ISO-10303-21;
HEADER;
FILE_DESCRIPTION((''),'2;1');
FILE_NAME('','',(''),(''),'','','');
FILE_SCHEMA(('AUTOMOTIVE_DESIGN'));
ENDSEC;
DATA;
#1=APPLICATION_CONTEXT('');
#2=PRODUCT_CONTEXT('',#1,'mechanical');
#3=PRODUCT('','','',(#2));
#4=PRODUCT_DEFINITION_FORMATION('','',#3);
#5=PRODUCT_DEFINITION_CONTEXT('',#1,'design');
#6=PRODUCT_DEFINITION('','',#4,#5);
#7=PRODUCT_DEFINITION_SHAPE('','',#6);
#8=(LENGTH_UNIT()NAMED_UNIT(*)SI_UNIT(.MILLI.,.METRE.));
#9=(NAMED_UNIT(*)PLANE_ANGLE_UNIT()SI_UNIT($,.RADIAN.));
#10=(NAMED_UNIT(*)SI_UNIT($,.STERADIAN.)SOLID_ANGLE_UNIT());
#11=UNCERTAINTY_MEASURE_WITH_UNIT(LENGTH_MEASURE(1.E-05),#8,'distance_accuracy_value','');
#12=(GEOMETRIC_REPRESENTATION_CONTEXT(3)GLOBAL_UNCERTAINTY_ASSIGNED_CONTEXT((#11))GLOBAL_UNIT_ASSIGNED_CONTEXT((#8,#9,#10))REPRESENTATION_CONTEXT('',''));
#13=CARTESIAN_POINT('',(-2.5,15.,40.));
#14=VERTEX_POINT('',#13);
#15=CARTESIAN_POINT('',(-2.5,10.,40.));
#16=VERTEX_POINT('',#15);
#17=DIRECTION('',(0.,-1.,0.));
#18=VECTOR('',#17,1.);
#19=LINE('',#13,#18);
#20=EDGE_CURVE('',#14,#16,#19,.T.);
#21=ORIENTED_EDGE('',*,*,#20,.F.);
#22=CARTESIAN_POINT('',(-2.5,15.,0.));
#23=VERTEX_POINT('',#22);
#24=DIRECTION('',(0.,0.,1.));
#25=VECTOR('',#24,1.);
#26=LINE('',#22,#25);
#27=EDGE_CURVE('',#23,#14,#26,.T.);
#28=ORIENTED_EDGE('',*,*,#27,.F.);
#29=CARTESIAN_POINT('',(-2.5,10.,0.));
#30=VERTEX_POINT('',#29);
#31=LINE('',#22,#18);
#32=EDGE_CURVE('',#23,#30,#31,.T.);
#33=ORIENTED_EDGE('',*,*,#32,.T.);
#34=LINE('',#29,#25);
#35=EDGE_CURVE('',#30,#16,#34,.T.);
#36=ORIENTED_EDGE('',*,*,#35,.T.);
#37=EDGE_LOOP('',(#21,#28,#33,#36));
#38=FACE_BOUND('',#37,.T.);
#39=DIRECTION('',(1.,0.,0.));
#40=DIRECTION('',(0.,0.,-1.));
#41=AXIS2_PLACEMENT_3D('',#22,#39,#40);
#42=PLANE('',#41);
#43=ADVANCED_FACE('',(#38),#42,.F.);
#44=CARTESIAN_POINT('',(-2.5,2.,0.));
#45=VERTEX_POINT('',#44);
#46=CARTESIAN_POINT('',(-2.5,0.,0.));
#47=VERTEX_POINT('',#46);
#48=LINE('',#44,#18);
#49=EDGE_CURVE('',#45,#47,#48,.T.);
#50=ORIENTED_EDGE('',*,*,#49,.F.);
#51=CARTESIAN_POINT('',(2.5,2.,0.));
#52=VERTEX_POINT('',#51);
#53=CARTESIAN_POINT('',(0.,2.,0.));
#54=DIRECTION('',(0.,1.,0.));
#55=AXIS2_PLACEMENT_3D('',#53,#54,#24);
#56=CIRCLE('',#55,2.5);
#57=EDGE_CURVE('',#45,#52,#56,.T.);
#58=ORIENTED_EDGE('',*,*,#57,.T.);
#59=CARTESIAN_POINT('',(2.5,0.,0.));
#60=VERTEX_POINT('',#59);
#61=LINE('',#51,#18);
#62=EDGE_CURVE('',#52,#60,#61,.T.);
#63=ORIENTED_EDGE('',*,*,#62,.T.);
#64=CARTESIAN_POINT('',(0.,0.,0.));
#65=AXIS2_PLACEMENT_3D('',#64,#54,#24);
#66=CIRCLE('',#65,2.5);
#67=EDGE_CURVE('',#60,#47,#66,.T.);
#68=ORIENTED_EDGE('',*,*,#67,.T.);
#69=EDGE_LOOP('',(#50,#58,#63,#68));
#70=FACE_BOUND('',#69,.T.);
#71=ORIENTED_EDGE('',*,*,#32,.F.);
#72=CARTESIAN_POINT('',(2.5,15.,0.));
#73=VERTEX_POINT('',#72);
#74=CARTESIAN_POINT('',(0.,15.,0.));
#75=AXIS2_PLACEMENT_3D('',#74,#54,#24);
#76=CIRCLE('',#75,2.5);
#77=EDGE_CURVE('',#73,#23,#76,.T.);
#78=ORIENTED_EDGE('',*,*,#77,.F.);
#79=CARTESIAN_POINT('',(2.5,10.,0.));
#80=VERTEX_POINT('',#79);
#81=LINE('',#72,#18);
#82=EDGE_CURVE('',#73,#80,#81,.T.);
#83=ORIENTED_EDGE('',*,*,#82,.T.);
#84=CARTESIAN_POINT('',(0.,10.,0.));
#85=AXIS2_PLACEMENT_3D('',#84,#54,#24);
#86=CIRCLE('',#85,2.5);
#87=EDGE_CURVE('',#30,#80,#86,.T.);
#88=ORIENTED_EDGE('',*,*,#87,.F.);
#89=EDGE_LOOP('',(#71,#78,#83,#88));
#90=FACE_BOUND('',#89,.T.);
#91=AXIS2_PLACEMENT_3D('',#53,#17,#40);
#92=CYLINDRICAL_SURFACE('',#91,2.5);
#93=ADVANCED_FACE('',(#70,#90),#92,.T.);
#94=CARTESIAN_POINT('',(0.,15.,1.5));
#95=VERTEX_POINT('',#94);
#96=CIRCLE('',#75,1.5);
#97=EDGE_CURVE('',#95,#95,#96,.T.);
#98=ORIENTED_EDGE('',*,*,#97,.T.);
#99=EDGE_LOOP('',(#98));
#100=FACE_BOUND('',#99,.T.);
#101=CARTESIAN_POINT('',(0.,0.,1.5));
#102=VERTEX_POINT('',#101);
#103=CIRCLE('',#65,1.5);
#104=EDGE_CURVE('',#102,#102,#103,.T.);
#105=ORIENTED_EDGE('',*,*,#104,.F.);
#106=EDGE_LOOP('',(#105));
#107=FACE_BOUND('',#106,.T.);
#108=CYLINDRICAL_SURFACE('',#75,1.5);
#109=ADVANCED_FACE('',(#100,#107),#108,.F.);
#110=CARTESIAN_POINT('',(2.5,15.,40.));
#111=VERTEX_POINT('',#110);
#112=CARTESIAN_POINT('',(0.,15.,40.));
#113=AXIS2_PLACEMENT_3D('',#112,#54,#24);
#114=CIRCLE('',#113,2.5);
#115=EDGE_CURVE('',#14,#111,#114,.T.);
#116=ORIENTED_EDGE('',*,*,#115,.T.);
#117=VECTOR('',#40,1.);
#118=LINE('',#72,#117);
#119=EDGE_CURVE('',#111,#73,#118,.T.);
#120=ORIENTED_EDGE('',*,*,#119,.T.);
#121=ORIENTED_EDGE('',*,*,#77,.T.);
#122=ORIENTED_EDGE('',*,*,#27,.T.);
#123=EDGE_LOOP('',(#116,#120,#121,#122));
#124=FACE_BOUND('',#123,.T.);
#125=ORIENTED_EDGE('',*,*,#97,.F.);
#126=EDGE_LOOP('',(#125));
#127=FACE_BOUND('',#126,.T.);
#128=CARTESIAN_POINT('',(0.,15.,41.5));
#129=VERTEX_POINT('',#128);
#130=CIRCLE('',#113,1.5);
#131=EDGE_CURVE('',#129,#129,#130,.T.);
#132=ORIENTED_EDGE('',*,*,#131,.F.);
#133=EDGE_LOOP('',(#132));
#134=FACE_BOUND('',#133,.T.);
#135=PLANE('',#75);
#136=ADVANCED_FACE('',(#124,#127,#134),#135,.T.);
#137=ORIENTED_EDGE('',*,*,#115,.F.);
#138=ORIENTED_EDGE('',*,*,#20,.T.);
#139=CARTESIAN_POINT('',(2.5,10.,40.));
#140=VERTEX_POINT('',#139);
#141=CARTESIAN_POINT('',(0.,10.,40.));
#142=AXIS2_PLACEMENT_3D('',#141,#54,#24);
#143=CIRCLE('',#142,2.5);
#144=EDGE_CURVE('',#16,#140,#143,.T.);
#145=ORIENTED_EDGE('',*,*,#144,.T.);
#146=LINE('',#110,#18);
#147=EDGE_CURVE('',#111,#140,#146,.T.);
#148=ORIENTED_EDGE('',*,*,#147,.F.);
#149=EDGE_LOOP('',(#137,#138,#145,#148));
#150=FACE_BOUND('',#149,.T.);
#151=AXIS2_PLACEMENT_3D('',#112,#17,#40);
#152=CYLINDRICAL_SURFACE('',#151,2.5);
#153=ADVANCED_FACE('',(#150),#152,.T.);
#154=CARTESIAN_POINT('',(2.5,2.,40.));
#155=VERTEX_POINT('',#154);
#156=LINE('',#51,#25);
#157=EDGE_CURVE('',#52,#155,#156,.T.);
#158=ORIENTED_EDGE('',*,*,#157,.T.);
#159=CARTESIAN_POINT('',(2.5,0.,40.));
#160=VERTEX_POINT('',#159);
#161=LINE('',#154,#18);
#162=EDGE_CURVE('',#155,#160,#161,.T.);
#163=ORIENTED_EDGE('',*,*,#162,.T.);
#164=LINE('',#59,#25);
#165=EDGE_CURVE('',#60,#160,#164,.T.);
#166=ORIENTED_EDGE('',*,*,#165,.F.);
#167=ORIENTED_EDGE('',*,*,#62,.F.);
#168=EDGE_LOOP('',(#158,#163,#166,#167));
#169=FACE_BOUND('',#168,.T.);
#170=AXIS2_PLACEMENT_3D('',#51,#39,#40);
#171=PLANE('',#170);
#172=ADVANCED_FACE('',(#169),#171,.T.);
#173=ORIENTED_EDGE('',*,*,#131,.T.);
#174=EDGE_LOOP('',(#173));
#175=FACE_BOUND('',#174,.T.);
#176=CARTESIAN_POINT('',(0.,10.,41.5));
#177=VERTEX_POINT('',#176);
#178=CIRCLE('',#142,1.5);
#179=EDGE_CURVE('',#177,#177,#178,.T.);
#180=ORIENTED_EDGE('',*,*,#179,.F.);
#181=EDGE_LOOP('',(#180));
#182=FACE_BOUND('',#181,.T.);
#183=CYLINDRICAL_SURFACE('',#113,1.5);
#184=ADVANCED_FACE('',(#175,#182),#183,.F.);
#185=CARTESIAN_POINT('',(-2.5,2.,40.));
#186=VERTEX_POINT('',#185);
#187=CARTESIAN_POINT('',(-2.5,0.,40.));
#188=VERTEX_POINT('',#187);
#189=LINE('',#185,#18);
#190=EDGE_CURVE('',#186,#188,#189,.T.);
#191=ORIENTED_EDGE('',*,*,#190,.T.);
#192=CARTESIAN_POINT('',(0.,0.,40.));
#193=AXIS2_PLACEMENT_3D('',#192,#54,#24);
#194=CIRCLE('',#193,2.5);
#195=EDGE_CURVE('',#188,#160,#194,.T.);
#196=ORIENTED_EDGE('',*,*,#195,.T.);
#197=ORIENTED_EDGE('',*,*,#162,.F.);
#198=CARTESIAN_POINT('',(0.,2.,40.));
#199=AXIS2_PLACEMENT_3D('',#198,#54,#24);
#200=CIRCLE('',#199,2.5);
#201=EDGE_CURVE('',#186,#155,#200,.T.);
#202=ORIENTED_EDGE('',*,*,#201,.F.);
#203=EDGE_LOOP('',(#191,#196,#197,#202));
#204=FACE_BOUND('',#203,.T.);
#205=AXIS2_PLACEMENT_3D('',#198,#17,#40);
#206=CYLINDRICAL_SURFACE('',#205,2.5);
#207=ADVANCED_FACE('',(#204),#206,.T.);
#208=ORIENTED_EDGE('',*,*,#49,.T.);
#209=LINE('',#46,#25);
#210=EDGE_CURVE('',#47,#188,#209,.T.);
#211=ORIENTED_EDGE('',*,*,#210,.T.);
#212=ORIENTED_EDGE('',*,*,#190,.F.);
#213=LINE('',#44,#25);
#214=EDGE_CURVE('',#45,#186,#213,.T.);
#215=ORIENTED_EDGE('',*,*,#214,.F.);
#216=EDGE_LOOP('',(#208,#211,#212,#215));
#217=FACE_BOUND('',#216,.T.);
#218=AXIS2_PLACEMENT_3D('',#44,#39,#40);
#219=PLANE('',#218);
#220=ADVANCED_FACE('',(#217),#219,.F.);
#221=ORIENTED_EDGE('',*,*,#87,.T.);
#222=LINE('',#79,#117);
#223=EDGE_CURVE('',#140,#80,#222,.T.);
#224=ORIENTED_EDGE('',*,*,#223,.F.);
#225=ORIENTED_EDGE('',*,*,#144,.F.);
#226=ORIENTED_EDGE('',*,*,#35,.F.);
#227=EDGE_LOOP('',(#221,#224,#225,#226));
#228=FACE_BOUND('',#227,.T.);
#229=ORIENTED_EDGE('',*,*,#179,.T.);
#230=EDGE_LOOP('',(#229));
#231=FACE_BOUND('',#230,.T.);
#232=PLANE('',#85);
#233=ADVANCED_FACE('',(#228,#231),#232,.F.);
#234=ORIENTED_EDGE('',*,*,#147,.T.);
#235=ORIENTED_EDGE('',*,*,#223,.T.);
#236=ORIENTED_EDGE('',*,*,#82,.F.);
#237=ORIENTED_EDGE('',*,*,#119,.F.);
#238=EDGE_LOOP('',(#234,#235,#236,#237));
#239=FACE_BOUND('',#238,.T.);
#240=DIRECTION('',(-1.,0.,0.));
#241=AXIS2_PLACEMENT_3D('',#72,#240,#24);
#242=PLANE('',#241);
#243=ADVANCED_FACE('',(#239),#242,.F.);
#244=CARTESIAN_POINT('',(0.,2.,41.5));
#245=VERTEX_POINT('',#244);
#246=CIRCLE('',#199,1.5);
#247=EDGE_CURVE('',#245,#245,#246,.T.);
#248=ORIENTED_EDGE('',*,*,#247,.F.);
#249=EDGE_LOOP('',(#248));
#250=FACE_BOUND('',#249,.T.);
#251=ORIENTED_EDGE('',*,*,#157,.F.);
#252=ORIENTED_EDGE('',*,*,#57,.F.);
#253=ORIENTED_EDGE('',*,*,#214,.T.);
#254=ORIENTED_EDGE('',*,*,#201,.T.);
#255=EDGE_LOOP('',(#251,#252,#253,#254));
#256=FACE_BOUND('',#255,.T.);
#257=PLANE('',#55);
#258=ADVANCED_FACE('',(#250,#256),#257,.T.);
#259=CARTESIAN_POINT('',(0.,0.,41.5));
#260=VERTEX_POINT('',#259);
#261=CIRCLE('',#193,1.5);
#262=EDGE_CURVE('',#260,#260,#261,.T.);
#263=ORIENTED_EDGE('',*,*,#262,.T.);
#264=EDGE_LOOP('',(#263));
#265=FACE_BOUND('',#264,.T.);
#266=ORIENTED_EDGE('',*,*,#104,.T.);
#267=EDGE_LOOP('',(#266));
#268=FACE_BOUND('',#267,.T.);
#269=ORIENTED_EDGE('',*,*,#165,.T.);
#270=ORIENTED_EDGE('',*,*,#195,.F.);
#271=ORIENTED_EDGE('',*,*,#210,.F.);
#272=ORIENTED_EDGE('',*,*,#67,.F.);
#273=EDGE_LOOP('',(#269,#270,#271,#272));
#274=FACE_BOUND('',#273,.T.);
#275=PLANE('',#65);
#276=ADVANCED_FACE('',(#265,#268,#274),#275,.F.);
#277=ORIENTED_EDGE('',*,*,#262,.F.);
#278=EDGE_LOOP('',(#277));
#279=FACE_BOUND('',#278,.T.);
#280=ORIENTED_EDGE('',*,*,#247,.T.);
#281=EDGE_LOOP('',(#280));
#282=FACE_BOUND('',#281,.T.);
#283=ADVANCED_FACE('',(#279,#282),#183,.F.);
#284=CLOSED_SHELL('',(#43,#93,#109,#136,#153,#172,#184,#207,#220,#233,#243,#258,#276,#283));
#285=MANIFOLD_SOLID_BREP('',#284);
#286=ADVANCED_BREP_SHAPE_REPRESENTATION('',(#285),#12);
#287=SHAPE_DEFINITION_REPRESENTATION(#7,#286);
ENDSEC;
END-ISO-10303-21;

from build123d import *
from build123d.topology import SkipClean

# Parameters (mm, degrees)
BOSS_EXTRUDE1_DEPTH             = 2
SKETCH2_R                       = 2.5
BOSS_EXTRUDE2_DEPTH             = 12
BOSS_EXTRUDE3_START             = 10
BOSS_EXTRUDE3_DEPTH             = 5
F_3_0MM_CLEARANCE_DOWEL_HOLE1_D = 3


with BuildPart() as part:
    # Sketch1 → Boss-Extrude1 (new body)
    with BuildSketch(Plane(origin=(0, 0, 0), x_dir=(1, 0, 0), z_dir=(0, 1, 0))):
        with BuildLine():
            Line((2.5, 0), (2.5, -40))
            ThreePointArc((2.5, -40), (0, -42.5), (-2.5, -40))
            Line((-2.5, -40), (-2.5, 0))
            ThreePointArc((-2.5, 0), (0, 2.5), (2.5, 0))
        make_face()
    extrude(amount=BOSS_EXTRUDE1_DEPTH)

    # Sketch2 → Boss-Extrude2 (add)
    with SkipClean():  # the faces are left unmerged after this step: merging them gives an invalid solid
        with BuildSketch(Plane(origin=(0, 2, 0), x_dir=(1, 0, 0), z_dir=(0, 1, 0))):
            Circle(SKETCH2_R)
        extrude(amount=BOSS_EXTRUDE2_DEPTH)
    add(part.part.scale(1), mode=Mode.REPLACE)  # the faces are merged on a copy

    # Sketch1<3> → Boss-Extrude3 (add)
    with BuildSketch(Plane(origin=(0, 0, 0), x_dir=(1, 0, 0), z_dir=(0, 1, 0)).offset(BOSS_EXTRUDE3_START)):
        with BuildLine():
            Line((2.5, 0), (2.5, -40))
            ThreePointArc((2.5, -40), (0, -42.5), (-2.5, -40))
            Line((-2.5, -40), (-2.5, 0))
            ThreePointArc((-2.5, 0), (0, 2.5), (2.5, 0))
        make_face()
    extrude(amount=BOSS_EXTRUDE3_DEPTH)

    # Ø3.0mm Clearance Dowel Hole1 (through all)
    with Locations(Plane(origin=(0, 15, 0), x_dir=(1, 0, 0), z_dir=(0, 1, 0))):
        with Locations((0, 0), (0, -40)):
            Hole(F_3_0MM_CLEARANCE_DOWEL_HOLE1_D / 2)


solid = part.part
